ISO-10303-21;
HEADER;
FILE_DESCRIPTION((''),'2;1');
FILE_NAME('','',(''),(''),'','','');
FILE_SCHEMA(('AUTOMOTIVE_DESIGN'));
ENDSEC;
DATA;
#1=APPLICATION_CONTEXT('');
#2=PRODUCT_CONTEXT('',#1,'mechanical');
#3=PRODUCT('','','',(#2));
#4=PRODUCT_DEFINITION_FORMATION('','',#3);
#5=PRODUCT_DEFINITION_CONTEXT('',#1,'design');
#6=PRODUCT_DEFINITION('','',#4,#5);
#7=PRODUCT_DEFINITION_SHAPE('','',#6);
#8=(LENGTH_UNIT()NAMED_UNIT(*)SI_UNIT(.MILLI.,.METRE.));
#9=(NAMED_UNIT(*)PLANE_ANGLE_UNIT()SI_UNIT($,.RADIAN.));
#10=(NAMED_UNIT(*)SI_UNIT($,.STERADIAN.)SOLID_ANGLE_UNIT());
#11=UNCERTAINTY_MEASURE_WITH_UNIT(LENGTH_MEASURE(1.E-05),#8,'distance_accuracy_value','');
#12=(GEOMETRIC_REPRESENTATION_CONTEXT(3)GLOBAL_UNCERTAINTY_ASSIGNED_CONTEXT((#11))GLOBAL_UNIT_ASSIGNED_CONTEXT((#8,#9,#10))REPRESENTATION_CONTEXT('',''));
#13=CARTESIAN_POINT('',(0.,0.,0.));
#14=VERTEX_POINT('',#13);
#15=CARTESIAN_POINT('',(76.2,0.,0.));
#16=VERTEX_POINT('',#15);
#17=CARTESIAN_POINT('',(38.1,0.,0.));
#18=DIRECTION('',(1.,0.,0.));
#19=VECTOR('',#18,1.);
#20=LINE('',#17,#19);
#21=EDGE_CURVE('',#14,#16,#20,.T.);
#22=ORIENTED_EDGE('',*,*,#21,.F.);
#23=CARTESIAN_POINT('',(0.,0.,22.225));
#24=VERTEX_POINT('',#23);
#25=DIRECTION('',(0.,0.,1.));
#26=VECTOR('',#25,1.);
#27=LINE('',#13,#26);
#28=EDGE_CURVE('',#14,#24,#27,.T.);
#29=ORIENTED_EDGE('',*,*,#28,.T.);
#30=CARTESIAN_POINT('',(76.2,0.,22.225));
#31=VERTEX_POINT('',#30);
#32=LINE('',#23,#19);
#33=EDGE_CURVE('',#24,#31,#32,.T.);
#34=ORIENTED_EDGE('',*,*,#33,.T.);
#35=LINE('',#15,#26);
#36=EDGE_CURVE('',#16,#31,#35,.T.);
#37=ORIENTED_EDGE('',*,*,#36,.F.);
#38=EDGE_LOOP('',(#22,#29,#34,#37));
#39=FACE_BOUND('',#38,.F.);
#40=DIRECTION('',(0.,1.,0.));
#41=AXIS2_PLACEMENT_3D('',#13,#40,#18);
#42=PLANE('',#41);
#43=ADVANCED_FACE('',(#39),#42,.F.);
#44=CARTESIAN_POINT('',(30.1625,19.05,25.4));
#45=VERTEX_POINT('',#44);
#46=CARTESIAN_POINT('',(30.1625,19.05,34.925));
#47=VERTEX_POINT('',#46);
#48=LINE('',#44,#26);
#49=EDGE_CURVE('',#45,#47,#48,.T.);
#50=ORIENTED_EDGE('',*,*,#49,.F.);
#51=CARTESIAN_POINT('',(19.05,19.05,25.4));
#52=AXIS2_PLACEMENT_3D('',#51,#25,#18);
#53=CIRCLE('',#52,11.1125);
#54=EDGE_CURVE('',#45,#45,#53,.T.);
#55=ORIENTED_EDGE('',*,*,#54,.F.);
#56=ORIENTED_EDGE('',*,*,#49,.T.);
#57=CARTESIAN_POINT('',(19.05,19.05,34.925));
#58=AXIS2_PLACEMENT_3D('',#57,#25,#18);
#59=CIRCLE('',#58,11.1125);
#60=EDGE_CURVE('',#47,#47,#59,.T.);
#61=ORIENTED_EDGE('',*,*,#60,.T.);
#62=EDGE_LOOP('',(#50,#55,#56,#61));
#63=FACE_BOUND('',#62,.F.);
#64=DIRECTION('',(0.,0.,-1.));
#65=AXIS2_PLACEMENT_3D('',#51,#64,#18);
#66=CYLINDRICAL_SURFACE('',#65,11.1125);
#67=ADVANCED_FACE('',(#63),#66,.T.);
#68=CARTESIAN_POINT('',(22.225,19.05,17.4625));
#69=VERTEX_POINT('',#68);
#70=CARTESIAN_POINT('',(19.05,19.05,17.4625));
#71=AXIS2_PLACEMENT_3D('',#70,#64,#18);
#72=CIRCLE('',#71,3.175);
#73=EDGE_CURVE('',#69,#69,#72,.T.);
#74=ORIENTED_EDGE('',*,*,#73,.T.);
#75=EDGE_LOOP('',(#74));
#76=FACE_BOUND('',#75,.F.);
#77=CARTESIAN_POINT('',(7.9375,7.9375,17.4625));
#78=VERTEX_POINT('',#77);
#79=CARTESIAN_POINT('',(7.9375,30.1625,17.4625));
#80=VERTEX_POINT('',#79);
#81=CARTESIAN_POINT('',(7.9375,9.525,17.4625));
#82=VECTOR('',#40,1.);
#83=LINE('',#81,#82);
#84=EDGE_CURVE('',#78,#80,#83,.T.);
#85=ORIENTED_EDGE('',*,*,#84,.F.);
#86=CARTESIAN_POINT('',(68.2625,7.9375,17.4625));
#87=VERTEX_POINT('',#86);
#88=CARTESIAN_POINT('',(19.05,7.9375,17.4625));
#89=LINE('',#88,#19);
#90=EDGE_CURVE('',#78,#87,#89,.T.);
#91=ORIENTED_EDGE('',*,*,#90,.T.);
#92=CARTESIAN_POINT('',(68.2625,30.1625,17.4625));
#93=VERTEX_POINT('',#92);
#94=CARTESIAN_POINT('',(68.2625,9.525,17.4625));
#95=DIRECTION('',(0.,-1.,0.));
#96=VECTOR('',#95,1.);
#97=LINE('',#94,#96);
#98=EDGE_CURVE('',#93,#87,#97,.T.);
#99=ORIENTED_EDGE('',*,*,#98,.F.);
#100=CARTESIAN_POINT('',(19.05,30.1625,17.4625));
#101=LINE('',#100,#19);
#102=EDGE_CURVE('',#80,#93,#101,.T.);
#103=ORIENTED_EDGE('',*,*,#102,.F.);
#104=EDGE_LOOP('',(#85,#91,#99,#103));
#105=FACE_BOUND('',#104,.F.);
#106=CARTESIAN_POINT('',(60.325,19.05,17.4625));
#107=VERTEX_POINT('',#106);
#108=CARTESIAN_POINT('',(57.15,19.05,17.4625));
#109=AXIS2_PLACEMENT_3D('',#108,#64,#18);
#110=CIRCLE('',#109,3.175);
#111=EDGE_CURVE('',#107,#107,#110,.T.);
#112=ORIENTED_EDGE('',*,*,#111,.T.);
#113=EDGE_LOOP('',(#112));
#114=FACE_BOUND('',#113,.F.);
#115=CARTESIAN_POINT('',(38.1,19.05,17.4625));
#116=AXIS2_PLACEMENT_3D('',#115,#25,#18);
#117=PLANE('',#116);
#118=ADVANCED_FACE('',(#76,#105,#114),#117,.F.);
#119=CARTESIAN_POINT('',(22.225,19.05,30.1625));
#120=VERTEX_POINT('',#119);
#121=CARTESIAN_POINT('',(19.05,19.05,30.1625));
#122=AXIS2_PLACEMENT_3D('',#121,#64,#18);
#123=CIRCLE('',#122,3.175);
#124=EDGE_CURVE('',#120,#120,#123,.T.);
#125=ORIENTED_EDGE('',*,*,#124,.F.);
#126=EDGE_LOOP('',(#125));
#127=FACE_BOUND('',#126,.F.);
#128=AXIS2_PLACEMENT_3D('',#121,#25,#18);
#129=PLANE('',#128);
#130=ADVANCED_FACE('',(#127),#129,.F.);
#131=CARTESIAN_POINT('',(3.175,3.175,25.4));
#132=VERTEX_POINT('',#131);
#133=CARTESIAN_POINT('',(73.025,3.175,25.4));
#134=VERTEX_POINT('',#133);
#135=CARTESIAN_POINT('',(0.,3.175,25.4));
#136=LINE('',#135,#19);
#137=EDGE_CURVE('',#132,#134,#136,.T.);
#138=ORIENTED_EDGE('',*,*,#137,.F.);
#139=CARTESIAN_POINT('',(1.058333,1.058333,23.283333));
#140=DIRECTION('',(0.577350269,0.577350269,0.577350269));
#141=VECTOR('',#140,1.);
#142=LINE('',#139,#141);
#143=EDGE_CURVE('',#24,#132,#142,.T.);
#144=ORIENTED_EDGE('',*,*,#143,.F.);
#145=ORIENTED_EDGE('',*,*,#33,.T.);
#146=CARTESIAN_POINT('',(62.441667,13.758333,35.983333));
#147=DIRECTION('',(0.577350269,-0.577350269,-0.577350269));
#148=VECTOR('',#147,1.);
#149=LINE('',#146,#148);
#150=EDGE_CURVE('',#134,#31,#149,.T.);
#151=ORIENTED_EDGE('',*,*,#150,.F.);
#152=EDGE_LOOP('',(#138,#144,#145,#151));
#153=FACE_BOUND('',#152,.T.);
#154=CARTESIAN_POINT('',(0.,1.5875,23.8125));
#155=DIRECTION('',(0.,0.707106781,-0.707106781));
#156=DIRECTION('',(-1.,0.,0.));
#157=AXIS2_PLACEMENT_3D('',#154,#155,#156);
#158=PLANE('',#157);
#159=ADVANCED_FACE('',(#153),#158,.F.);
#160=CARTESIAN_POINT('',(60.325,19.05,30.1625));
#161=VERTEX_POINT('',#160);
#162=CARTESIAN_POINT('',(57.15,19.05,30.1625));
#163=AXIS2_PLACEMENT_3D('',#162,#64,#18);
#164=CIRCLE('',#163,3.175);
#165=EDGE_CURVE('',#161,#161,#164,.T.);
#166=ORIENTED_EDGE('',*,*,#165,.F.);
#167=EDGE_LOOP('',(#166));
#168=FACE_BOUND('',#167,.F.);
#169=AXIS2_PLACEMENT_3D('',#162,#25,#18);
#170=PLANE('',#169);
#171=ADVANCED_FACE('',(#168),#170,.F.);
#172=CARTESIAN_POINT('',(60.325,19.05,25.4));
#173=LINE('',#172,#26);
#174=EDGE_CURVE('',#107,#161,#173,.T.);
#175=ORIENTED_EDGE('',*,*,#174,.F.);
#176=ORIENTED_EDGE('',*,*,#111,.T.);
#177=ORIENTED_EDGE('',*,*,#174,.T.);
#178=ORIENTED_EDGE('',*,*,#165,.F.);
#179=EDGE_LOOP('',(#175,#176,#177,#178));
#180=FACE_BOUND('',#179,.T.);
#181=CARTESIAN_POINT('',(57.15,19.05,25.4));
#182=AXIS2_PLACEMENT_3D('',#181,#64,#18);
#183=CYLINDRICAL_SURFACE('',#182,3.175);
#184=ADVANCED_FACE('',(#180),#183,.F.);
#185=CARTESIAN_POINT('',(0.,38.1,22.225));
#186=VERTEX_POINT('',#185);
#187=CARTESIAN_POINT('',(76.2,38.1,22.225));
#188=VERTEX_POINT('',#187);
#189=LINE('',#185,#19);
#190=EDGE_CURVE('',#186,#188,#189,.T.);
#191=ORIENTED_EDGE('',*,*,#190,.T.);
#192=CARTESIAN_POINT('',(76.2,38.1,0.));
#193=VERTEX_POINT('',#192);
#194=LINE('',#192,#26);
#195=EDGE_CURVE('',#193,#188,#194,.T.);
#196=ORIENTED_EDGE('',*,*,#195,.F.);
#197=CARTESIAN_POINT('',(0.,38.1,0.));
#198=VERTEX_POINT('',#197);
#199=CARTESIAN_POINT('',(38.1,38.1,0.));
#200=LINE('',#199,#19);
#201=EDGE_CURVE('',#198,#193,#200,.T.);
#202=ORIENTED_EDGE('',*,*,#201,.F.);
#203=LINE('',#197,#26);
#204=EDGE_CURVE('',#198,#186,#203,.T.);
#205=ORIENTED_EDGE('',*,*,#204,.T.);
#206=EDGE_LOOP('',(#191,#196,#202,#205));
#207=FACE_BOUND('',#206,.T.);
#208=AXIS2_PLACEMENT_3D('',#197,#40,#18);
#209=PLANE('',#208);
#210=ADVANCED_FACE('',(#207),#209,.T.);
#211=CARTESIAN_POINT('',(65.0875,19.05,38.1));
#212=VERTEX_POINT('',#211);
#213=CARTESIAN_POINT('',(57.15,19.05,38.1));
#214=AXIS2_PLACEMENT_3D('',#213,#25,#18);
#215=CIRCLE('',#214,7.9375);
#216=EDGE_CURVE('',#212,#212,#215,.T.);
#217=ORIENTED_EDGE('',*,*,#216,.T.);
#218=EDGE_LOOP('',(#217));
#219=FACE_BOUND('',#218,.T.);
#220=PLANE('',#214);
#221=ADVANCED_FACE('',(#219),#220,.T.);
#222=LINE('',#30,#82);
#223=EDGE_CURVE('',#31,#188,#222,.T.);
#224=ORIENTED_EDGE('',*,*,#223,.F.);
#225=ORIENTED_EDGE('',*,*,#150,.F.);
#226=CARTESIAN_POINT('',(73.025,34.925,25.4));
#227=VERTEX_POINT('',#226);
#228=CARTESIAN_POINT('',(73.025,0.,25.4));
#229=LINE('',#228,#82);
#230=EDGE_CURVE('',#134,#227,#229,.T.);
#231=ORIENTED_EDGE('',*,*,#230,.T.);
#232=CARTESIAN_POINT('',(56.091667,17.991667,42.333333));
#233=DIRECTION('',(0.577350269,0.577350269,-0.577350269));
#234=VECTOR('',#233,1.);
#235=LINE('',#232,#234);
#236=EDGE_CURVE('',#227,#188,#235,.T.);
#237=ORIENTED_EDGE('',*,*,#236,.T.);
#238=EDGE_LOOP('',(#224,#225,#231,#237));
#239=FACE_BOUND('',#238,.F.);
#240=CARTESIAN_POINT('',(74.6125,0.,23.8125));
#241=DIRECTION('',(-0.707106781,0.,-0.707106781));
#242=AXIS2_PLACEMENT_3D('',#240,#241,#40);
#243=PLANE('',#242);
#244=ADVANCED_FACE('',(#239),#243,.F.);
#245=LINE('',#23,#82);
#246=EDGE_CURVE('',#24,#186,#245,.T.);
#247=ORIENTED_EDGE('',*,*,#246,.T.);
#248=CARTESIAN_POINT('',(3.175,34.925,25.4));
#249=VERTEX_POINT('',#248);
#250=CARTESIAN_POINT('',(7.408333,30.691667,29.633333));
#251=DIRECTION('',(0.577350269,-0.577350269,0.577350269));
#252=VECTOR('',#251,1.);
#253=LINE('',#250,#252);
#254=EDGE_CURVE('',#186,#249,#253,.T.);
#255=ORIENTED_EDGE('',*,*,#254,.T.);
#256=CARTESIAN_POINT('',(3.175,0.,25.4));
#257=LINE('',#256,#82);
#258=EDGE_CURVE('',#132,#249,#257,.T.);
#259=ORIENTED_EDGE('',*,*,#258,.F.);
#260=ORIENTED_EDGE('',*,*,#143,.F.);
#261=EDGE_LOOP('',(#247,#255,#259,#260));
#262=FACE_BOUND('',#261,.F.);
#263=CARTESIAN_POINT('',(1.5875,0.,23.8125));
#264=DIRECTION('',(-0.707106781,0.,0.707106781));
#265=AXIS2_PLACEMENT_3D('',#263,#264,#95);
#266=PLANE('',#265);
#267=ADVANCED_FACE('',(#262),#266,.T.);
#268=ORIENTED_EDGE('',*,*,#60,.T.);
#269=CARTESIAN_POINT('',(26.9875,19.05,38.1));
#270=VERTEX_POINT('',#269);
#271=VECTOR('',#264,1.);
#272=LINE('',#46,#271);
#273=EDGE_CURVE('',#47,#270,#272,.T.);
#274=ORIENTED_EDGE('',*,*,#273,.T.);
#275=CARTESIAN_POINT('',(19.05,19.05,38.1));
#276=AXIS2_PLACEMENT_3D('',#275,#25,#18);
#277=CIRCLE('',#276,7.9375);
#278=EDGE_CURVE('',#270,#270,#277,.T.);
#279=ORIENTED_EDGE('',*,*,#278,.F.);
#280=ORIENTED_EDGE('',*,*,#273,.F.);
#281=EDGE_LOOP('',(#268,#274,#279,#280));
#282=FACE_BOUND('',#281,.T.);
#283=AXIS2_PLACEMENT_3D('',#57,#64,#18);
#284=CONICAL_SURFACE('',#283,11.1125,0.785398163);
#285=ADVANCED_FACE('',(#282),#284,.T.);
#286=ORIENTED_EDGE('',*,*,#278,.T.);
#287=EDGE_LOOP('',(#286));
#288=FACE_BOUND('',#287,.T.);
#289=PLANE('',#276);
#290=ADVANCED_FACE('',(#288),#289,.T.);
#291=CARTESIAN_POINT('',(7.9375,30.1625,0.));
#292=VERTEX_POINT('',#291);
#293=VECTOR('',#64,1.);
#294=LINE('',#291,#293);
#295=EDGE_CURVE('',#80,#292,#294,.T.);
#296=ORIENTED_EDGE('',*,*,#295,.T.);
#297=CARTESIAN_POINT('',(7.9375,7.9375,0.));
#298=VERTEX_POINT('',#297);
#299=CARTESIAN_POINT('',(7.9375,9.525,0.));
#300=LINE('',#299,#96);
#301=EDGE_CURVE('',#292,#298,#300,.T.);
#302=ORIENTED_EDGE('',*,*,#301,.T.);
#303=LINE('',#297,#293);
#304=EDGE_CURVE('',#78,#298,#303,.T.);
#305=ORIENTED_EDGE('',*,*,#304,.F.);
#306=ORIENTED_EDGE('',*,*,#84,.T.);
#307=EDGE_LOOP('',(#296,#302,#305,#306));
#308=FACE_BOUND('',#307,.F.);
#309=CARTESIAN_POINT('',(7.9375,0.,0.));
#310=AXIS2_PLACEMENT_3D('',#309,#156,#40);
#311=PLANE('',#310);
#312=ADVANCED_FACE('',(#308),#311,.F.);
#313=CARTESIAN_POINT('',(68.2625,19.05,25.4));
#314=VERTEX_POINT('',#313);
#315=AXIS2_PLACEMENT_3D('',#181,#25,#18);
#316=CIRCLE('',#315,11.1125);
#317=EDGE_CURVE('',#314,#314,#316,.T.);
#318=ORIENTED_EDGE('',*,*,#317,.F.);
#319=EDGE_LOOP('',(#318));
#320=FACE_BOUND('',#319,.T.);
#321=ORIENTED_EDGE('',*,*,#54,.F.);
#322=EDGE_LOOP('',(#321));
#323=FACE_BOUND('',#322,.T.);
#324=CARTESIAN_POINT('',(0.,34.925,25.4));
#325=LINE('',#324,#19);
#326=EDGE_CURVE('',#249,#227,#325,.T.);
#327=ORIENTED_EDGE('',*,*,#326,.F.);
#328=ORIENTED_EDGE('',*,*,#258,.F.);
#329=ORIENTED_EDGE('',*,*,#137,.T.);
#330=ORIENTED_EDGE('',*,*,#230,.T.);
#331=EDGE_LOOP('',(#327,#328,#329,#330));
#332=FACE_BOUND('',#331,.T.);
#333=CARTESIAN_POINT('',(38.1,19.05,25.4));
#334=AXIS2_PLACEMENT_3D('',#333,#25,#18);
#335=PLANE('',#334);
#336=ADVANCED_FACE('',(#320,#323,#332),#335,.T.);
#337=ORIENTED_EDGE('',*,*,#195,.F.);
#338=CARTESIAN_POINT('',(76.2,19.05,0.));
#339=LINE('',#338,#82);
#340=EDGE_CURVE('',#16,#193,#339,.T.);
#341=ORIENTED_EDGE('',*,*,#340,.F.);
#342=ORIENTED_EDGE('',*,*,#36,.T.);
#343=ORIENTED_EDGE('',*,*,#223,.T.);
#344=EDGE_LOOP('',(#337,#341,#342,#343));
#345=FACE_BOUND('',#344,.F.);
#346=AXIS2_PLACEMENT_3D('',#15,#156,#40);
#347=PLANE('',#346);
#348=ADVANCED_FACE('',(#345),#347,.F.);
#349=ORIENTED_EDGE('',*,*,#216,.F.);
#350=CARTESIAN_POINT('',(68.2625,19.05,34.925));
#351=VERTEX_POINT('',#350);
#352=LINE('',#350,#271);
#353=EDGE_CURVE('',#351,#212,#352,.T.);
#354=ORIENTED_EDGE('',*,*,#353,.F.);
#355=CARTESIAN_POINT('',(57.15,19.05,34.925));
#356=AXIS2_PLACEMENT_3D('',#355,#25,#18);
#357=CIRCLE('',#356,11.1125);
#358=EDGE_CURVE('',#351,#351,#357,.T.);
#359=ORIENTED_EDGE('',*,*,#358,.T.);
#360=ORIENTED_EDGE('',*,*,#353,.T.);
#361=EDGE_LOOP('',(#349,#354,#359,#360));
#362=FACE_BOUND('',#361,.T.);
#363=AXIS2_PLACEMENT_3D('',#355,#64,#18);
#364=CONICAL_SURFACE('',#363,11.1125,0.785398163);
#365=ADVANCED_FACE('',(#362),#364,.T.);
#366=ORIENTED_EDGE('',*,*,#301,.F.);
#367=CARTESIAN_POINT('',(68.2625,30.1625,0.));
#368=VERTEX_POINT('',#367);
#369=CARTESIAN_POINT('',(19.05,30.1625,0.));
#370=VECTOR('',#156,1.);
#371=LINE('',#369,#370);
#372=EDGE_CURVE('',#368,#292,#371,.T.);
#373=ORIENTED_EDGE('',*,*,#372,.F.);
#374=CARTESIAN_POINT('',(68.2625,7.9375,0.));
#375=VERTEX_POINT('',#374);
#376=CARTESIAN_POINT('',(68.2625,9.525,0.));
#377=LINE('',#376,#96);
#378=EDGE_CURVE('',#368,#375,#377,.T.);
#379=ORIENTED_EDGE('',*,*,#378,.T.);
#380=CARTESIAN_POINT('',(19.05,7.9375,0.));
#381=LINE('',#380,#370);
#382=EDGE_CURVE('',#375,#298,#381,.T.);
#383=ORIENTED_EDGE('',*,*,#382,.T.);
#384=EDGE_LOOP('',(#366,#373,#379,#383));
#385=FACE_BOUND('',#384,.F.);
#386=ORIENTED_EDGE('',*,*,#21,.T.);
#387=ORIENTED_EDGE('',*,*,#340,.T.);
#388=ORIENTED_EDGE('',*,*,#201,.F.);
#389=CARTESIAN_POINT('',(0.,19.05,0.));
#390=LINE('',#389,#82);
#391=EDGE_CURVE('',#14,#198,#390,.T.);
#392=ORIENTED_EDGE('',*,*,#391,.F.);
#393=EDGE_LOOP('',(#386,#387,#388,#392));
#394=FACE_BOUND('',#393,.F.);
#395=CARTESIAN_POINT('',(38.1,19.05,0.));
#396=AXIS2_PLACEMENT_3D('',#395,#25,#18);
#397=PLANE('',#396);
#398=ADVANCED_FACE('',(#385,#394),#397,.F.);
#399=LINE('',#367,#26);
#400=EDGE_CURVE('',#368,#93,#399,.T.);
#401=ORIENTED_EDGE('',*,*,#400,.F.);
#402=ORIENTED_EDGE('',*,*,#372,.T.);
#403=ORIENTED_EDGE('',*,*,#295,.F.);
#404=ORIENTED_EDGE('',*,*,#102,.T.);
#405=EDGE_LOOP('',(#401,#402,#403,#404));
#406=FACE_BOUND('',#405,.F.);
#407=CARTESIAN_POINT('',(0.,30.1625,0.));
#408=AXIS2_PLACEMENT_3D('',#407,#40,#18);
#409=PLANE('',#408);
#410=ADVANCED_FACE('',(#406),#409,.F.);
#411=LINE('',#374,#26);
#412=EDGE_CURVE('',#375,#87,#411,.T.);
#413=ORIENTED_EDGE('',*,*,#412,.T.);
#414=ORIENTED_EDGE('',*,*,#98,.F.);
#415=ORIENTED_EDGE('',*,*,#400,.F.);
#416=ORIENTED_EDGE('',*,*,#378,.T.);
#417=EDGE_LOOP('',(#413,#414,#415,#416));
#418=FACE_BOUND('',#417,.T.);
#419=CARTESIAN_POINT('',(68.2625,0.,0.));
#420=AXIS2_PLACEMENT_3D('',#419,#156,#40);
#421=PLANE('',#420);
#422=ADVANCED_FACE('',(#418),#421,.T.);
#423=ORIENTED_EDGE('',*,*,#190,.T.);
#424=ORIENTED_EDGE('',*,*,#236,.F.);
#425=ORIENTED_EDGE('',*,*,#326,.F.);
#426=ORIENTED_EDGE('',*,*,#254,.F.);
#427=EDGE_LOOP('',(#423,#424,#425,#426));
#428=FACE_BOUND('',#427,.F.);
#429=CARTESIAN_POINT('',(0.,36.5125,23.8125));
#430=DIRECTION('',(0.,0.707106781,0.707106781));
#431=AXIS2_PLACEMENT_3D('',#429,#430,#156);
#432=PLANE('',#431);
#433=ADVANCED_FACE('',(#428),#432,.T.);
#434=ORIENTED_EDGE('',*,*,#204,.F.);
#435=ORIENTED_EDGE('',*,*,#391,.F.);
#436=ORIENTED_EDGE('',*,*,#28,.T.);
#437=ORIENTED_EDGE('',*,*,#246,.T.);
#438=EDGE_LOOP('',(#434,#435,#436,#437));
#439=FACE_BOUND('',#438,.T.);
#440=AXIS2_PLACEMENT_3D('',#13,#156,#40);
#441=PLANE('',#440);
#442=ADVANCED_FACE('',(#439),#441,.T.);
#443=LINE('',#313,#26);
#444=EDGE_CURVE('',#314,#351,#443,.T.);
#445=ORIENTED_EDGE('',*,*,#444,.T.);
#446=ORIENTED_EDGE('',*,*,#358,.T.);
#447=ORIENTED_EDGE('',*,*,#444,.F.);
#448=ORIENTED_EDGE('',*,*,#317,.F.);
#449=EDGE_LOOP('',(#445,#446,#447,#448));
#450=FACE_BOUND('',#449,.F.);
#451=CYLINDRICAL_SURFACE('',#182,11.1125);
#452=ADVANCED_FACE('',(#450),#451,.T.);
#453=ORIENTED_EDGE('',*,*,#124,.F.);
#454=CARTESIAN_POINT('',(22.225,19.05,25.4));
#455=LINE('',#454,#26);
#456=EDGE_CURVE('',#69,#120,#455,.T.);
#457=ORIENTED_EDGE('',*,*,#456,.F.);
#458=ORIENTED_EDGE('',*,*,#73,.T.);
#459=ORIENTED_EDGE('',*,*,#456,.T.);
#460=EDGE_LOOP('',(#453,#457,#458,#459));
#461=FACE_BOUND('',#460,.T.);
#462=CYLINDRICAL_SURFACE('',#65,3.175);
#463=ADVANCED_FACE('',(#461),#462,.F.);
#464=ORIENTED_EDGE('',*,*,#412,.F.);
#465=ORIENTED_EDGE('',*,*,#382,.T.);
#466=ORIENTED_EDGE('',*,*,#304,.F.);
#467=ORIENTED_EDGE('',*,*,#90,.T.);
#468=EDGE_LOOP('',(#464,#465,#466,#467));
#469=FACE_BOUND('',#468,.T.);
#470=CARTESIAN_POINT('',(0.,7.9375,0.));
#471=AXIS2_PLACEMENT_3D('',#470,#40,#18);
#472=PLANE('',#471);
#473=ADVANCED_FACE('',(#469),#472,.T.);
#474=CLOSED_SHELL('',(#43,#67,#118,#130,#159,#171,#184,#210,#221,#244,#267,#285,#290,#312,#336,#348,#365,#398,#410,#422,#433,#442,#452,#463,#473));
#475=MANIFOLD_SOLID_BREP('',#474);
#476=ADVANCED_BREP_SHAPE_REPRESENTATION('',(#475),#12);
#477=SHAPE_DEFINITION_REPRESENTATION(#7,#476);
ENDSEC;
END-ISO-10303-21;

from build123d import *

# Parameters (mm, degrees)
F0_W     = 76.2
F0_H     = 38.1
F1_DEPTH = 25.4
F2_R     = 11.1125
F3_DEPTH = 12.7
F4_T     = -7.9375
F5_SIZE  = 3.175


with BuildPart() as f1:
    # F0 (on Top) → F1 (new body)
    with BuildSketch(Plane.XY):
        with Locations((38.1, 19.05)):
            Rectangle(F0_W, F0_H)
    extrude(amount=F1_DEPTH)

    # F2 (on face) → F3 (join)
    with BuildSketch(Plane.XY.offset(25.4)):
        with Locations((57.15, 19.05)):
            Circle(F2_R)
        with Locations((19.05, 19.05)):
            Circle(F2_R)
    extrude(amount=F3_DEPTH)

    # F4
    f4_openings = [f1.faces().sort_by_distance(p)[0] for p in [
        (38.1, 19.05, 0),
    ]]
    offset(amount=F4_T, openings=f4_openings, kind=Kind.INTERSECTION)

    # F5
    f5_edges = [f1.edges().sort_by_distance(p)[0] for p in [
        (0, 19.05, 25.4),
        (76.2, 19.05, 25.4),
        (38.1, 0, 25.4),
        (38.1, 38.1, 25.4),
        (7.9375, 19.05, 38.1),
        (46.0375, 19.05, 38.1),
    ]]
    chamfer(f5_edges, length=F5_SIZE)


solid = f1.part
